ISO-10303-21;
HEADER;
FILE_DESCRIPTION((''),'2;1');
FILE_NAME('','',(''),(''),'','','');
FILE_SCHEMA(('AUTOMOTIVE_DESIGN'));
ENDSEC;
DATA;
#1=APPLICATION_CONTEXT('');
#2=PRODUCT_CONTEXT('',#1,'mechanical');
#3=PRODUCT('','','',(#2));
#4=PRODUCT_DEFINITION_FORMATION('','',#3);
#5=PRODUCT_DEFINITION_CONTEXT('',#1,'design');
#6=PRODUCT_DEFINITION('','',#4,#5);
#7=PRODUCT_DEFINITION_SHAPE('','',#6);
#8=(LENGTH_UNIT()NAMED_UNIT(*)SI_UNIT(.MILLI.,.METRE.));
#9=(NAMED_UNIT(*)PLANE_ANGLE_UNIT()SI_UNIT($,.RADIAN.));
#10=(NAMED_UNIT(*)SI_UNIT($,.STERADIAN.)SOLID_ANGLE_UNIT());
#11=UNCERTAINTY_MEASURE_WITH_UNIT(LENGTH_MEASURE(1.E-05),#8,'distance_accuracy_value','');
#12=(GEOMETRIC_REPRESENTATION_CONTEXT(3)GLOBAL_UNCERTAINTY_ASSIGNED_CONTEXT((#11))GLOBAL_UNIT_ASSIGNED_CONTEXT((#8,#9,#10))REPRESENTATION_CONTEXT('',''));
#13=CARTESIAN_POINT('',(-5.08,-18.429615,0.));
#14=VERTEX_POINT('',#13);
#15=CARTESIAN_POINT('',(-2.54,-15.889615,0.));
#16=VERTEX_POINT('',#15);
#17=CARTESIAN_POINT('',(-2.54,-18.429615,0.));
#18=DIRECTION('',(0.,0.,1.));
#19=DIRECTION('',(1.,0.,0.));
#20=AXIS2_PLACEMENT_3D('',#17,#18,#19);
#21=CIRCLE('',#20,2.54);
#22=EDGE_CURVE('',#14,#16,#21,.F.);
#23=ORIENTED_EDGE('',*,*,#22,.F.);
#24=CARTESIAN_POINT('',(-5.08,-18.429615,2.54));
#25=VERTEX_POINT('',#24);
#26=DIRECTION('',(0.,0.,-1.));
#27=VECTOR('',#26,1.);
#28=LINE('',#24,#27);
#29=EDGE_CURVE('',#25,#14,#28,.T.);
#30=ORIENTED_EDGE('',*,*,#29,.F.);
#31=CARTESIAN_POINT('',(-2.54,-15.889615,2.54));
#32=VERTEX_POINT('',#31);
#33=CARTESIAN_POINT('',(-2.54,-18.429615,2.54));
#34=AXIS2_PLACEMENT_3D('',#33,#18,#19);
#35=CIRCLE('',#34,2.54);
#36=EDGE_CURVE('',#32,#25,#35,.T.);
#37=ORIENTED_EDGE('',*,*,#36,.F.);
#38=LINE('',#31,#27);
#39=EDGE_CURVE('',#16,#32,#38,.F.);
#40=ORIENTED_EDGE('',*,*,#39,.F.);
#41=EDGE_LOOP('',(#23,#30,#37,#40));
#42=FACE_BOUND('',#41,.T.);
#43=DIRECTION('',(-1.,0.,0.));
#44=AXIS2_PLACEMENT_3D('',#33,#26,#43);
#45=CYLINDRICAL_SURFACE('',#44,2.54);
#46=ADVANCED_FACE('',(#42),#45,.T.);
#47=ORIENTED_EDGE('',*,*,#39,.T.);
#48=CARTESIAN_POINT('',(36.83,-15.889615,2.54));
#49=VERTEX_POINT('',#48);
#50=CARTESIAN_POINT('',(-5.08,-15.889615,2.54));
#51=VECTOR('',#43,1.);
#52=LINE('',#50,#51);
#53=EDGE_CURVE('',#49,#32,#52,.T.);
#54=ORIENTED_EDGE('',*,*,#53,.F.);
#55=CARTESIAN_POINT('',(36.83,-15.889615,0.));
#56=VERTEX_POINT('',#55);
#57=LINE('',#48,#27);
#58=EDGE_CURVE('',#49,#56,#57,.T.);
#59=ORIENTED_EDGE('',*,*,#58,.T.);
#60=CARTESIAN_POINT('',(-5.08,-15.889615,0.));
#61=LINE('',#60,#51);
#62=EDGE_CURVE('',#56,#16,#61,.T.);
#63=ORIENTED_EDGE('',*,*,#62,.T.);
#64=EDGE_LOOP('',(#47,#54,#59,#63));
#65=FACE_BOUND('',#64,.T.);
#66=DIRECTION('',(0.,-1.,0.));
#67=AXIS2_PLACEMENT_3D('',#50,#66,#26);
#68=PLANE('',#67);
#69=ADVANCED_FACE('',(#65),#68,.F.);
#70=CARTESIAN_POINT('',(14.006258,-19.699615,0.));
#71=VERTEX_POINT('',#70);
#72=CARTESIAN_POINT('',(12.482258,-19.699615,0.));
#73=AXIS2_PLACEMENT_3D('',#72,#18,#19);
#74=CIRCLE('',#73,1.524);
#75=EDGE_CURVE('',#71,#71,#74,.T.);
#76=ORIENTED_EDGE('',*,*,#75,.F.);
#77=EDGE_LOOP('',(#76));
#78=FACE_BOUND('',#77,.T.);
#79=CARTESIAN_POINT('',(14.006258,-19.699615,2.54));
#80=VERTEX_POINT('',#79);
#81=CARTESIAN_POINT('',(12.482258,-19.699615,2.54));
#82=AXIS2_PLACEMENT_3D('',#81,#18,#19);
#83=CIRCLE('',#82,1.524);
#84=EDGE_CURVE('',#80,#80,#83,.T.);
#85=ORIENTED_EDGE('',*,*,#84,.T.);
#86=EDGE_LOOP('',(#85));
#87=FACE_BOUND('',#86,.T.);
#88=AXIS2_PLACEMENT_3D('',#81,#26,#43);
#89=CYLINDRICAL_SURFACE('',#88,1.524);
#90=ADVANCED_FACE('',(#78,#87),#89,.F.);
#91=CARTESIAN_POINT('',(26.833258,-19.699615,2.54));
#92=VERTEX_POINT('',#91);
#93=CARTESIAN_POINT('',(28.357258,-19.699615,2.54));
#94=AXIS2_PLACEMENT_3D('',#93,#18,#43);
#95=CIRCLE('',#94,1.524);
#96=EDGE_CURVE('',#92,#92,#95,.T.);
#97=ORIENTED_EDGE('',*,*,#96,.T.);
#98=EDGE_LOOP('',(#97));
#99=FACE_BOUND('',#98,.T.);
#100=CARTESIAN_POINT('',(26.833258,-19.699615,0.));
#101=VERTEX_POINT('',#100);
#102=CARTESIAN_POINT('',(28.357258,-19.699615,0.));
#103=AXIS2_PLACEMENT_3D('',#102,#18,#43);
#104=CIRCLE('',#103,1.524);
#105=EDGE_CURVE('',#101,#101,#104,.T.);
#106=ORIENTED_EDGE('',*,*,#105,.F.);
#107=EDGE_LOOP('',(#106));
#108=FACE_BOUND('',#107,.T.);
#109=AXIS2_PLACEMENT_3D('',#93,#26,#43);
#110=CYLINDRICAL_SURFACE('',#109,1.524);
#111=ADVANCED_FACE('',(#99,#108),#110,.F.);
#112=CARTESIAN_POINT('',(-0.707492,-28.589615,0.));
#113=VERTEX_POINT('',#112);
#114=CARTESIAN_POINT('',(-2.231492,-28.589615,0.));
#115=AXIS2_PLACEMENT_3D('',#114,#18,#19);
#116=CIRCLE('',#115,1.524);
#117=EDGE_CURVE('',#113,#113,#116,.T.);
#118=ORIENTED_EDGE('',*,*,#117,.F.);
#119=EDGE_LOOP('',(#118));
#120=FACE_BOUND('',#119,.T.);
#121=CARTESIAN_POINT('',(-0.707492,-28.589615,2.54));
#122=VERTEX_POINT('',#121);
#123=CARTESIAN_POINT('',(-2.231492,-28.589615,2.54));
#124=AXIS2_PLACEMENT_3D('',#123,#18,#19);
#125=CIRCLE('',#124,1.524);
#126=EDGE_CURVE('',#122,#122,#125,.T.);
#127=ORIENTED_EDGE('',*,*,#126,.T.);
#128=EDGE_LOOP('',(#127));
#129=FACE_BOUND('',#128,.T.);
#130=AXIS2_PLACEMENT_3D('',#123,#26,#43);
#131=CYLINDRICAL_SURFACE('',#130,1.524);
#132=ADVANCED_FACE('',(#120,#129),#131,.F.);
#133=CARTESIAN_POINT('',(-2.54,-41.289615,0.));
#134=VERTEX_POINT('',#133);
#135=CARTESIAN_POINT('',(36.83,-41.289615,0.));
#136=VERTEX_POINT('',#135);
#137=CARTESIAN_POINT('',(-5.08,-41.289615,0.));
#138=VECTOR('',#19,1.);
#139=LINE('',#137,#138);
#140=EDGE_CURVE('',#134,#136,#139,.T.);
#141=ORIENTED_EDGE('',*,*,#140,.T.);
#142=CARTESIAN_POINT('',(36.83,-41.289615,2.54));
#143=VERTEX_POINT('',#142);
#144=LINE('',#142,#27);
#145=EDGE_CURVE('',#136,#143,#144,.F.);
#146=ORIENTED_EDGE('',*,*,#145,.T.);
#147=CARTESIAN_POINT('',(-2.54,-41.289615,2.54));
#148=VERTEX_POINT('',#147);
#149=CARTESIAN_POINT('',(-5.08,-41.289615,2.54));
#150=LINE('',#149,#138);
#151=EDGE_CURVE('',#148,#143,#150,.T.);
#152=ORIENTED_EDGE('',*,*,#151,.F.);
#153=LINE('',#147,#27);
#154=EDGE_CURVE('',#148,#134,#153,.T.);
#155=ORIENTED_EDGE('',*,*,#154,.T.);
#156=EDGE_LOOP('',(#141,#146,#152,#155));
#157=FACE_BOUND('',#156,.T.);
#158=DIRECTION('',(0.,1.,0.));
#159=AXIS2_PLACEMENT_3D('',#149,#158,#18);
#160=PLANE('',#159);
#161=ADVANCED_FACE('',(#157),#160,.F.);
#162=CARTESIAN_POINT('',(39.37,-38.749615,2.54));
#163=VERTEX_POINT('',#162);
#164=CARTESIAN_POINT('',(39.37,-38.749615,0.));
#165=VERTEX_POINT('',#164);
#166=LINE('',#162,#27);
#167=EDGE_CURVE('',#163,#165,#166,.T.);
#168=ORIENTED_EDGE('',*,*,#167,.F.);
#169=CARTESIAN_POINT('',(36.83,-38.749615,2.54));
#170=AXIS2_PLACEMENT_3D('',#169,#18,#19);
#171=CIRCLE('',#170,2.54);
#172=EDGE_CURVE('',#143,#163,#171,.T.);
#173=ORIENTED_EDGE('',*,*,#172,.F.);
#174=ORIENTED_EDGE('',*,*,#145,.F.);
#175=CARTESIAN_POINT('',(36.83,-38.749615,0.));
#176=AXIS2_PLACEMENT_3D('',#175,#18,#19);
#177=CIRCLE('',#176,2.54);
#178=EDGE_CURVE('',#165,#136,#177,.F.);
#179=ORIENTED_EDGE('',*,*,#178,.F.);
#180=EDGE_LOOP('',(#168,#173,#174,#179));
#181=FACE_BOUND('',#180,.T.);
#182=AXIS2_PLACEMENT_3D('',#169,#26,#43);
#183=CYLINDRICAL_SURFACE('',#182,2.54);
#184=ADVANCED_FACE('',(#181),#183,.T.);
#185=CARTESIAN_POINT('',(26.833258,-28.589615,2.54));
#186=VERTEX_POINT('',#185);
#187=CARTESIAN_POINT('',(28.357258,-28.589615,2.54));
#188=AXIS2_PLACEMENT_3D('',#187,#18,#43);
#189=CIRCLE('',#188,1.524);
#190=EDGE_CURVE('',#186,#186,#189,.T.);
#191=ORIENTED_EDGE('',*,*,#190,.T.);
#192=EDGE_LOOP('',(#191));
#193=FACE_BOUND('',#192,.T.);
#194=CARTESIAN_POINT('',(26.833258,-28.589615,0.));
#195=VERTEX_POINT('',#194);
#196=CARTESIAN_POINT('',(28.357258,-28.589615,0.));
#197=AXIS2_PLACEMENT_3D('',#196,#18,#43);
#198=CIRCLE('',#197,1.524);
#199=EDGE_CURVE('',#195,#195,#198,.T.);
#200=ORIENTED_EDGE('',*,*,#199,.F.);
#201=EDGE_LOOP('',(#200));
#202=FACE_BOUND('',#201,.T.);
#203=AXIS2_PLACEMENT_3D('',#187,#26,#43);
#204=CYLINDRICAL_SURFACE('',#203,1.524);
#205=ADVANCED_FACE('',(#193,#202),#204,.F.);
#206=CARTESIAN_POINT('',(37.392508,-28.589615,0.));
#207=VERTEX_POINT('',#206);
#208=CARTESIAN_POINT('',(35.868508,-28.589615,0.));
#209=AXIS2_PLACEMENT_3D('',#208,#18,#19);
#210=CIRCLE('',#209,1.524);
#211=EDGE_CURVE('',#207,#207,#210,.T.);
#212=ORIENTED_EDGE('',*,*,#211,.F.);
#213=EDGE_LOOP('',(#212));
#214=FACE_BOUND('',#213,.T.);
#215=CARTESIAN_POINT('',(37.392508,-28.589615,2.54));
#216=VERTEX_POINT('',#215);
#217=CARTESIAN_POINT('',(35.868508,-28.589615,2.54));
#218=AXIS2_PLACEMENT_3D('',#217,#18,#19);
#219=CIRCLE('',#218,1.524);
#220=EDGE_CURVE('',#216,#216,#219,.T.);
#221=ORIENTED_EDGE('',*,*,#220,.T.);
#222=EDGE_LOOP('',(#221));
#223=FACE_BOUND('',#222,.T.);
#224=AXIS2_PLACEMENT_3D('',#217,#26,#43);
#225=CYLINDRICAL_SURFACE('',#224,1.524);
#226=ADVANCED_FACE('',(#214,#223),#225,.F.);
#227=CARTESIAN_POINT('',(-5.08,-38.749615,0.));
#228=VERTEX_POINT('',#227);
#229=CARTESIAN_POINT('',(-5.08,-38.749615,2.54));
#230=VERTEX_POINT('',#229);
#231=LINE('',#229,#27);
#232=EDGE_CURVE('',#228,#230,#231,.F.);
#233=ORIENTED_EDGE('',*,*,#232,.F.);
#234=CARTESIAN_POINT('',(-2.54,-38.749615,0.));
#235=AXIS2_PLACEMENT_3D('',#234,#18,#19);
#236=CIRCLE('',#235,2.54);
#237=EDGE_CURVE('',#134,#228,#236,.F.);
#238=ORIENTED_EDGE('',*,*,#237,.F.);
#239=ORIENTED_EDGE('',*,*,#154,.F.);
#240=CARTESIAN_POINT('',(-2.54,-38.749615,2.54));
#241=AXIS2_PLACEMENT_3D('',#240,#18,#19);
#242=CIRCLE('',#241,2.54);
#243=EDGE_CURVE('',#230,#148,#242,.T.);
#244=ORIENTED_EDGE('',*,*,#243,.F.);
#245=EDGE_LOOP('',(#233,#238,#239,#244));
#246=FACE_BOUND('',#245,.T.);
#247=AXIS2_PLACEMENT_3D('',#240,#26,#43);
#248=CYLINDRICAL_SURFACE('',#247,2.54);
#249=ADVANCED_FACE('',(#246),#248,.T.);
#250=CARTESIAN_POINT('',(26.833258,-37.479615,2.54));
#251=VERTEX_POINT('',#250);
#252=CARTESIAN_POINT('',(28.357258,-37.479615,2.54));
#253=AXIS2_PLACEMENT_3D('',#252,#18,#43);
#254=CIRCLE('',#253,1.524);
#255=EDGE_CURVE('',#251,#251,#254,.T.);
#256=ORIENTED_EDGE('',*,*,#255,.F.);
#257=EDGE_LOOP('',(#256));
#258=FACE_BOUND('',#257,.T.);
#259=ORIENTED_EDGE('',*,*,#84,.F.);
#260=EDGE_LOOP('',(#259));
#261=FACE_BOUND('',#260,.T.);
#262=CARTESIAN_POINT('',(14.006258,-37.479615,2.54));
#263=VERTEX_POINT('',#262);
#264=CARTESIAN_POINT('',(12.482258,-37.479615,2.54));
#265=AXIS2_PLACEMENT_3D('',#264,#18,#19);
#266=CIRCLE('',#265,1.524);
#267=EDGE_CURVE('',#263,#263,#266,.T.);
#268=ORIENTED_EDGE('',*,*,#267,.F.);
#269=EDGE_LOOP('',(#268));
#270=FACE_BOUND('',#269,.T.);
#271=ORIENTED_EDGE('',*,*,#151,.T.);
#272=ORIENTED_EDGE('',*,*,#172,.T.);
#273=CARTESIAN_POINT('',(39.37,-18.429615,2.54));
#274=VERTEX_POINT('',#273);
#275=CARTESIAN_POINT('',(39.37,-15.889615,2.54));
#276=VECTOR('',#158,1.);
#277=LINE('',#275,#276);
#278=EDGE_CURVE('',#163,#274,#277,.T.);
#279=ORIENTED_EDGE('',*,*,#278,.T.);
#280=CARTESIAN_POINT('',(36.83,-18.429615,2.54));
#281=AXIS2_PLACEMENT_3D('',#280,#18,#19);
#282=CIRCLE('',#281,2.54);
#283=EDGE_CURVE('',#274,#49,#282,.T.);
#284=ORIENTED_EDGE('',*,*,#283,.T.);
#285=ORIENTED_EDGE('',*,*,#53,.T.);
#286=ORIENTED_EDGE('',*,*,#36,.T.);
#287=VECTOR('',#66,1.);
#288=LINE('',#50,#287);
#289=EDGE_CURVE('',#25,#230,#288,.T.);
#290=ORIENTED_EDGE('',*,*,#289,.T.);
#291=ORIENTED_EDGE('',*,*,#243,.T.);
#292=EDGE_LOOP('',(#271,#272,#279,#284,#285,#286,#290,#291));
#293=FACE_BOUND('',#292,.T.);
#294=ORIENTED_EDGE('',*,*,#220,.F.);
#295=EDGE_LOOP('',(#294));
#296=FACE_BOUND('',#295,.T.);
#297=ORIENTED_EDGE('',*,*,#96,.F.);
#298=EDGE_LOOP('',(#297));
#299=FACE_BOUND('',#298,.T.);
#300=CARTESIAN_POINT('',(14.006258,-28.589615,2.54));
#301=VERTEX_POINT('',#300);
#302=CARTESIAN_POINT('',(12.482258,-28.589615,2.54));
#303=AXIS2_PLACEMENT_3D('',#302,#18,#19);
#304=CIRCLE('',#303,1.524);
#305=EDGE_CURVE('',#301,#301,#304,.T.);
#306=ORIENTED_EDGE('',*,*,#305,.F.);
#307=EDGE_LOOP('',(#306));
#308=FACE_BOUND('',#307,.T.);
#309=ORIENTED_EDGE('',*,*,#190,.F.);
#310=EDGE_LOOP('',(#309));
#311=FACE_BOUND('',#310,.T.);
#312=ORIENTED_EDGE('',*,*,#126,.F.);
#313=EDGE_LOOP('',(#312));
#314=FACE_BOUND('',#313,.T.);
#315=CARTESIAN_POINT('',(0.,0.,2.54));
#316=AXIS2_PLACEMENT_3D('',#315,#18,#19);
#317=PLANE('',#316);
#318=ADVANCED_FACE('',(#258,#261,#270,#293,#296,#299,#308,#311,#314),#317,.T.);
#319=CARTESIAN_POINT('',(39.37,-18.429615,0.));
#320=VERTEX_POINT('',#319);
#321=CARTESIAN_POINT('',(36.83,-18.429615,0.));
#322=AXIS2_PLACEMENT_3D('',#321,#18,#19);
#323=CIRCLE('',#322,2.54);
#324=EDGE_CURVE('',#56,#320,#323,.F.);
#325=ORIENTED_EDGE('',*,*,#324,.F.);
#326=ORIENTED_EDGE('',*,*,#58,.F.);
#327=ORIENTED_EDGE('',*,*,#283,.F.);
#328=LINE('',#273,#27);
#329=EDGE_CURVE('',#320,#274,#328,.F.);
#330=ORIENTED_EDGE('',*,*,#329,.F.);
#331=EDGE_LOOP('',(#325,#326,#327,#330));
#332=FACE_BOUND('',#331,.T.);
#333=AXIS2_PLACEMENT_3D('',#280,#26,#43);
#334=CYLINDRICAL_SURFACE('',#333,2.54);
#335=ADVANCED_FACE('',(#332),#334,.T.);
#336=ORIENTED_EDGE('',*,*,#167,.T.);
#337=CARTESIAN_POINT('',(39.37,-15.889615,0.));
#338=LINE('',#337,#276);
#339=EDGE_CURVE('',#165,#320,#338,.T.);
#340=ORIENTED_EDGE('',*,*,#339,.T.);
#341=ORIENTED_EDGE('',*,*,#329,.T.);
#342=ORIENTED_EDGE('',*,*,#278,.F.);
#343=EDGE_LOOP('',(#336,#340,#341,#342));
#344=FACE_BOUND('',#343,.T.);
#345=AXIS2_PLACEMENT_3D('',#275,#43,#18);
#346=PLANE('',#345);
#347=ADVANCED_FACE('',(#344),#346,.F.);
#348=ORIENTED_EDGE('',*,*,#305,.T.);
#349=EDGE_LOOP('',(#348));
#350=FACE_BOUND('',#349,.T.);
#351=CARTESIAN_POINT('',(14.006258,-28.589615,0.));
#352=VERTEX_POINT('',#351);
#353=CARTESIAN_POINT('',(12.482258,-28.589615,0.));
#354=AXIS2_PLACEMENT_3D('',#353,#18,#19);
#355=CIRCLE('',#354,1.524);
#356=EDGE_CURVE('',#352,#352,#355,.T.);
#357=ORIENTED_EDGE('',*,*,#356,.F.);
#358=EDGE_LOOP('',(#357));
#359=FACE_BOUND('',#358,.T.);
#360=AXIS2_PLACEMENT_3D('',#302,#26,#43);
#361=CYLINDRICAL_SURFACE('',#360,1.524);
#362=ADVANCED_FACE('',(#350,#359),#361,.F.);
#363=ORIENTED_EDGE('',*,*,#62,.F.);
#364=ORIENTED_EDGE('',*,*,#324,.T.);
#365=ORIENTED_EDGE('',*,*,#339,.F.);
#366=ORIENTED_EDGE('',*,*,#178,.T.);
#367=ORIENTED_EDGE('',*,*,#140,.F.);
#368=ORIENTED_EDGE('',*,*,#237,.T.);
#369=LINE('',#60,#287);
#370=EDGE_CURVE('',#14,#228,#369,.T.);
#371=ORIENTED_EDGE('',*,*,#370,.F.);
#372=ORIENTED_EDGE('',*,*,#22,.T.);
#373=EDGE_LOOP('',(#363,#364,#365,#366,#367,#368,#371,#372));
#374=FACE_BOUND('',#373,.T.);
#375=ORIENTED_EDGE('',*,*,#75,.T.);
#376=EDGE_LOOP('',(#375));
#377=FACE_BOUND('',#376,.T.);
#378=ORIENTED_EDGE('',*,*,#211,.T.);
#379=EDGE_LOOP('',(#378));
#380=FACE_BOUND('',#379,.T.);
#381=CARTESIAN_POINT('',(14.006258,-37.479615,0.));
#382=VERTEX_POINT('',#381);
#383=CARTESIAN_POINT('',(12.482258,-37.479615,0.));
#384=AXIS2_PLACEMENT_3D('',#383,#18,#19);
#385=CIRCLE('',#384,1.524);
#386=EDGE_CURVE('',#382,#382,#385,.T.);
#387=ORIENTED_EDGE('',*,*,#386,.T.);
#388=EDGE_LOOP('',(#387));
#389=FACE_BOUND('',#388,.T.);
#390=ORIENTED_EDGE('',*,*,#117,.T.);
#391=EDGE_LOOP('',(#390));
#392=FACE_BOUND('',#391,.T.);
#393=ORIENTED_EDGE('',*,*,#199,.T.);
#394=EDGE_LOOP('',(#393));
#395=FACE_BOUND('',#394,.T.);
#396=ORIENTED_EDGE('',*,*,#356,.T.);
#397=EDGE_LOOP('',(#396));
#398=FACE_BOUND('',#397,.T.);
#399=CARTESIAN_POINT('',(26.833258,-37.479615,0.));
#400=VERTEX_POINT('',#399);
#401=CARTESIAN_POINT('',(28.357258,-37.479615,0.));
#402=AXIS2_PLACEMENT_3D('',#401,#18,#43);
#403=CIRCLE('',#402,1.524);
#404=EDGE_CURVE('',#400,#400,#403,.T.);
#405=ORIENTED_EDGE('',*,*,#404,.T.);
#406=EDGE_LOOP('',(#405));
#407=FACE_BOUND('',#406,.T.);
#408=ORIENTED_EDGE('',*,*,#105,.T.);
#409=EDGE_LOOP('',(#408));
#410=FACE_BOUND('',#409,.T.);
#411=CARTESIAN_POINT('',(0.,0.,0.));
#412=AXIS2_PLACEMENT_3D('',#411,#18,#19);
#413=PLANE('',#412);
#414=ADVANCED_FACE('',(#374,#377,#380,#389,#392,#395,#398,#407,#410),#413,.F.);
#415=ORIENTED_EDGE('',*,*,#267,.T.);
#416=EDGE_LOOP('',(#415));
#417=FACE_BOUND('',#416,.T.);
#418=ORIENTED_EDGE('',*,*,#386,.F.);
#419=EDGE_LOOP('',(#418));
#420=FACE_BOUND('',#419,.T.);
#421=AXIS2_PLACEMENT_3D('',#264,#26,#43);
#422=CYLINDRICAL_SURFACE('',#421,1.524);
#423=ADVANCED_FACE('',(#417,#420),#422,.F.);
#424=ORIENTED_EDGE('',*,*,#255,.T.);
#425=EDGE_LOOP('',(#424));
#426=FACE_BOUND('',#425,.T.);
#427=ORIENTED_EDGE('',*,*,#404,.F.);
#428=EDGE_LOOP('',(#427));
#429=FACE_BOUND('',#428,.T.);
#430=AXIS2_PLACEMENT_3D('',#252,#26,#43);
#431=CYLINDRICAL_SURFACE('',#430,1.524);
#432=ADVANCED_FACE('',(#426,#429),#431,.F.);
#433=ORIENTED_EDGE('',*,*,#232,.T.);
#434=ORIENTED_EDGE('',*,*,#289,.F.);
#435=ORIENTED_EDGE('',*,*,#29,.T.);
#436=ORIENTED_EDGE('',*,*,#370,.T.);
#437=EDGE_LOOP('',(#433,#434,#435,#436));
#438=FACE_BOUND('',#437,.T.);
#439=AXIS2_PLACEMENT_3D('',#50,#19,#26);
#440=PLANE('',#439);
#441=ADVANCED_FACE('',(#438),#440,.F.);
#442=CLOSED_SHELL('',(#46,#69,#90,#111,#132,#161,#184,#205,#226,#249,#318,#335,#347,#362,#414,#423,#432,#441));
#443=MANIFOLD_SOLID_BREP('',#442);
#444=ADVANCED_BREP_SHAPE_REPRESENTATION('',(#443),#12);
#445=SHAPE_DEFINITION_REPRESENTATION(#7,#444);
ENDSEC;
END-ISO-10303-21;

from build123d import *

# Parameters (mm, degrees)
SKETCH1_W           = 44.45
SKETCH1_H           = 25.4
SKETCH1_R           = 1.524
BOSS_EXTRUDE1_DEPTH = 2.54
FILLET1_R           = 2.54


with BuildPart() as part:
    # Sketch1 → Boss-Extrude1 (new body)
    with BuildSketch(Plane.XY):
        with Locations((17.145, -28.589614644)):
            Rectangle(SKETCH1_W, SKETCH1_H)
        with Locations((12.482257686, -28.589614644)):
            Circle(SKETCH1_R, mode=Mode.SUBTRACT)
        with Locations((28.357257686, -28.589614644)):
            Circle(SKETCH1_R, mode=Mode.SUBTRACT)
        with Locations((12.482257686, -19.699614644)):
            Circle(SKETCH1_R, mode=Mode.SUBTRACT)
        with Locations((28.357257686, -19.699614644)):
            Circle(SKETCH1_R, mode=Mode.SUBTRACT)
        with Locations((12.482257686, -37.479614644)):
            Circle(SKETCH1_R, mode=Mode.SUBTRACT)
        with Locations((28.357257686, -37.479614644)):
            Circle(SKETCH1_R, mode=Mode.SUBTRACT)
        with Locations((-2.231491516, -28.589614644)):
            Circle(SKETCH1_R, mode=Mode.SUBTRACT)
        with Locations((35.868508484, -28.589614644)):
            Circle(SKETCH1_R, mode=Mode.SUBTRACT)
    extrude(amount=BOSS_EXTRUDE1_DEPTH)

    # Fillet1
    fillet1_edges = [part.edges().sort_by_distance(p)[0] for p in [
        (-5.08, -15.889614644, 1.27),
        (39.37, -15.889614644, 1.27),
        (39.37, -41.289614644, 1.27),
        (-5.08, -41.289614644, 1.27),
    ]]
    fillet(fillet1_edges, radius=FILLET1_R)


solid = part.part
